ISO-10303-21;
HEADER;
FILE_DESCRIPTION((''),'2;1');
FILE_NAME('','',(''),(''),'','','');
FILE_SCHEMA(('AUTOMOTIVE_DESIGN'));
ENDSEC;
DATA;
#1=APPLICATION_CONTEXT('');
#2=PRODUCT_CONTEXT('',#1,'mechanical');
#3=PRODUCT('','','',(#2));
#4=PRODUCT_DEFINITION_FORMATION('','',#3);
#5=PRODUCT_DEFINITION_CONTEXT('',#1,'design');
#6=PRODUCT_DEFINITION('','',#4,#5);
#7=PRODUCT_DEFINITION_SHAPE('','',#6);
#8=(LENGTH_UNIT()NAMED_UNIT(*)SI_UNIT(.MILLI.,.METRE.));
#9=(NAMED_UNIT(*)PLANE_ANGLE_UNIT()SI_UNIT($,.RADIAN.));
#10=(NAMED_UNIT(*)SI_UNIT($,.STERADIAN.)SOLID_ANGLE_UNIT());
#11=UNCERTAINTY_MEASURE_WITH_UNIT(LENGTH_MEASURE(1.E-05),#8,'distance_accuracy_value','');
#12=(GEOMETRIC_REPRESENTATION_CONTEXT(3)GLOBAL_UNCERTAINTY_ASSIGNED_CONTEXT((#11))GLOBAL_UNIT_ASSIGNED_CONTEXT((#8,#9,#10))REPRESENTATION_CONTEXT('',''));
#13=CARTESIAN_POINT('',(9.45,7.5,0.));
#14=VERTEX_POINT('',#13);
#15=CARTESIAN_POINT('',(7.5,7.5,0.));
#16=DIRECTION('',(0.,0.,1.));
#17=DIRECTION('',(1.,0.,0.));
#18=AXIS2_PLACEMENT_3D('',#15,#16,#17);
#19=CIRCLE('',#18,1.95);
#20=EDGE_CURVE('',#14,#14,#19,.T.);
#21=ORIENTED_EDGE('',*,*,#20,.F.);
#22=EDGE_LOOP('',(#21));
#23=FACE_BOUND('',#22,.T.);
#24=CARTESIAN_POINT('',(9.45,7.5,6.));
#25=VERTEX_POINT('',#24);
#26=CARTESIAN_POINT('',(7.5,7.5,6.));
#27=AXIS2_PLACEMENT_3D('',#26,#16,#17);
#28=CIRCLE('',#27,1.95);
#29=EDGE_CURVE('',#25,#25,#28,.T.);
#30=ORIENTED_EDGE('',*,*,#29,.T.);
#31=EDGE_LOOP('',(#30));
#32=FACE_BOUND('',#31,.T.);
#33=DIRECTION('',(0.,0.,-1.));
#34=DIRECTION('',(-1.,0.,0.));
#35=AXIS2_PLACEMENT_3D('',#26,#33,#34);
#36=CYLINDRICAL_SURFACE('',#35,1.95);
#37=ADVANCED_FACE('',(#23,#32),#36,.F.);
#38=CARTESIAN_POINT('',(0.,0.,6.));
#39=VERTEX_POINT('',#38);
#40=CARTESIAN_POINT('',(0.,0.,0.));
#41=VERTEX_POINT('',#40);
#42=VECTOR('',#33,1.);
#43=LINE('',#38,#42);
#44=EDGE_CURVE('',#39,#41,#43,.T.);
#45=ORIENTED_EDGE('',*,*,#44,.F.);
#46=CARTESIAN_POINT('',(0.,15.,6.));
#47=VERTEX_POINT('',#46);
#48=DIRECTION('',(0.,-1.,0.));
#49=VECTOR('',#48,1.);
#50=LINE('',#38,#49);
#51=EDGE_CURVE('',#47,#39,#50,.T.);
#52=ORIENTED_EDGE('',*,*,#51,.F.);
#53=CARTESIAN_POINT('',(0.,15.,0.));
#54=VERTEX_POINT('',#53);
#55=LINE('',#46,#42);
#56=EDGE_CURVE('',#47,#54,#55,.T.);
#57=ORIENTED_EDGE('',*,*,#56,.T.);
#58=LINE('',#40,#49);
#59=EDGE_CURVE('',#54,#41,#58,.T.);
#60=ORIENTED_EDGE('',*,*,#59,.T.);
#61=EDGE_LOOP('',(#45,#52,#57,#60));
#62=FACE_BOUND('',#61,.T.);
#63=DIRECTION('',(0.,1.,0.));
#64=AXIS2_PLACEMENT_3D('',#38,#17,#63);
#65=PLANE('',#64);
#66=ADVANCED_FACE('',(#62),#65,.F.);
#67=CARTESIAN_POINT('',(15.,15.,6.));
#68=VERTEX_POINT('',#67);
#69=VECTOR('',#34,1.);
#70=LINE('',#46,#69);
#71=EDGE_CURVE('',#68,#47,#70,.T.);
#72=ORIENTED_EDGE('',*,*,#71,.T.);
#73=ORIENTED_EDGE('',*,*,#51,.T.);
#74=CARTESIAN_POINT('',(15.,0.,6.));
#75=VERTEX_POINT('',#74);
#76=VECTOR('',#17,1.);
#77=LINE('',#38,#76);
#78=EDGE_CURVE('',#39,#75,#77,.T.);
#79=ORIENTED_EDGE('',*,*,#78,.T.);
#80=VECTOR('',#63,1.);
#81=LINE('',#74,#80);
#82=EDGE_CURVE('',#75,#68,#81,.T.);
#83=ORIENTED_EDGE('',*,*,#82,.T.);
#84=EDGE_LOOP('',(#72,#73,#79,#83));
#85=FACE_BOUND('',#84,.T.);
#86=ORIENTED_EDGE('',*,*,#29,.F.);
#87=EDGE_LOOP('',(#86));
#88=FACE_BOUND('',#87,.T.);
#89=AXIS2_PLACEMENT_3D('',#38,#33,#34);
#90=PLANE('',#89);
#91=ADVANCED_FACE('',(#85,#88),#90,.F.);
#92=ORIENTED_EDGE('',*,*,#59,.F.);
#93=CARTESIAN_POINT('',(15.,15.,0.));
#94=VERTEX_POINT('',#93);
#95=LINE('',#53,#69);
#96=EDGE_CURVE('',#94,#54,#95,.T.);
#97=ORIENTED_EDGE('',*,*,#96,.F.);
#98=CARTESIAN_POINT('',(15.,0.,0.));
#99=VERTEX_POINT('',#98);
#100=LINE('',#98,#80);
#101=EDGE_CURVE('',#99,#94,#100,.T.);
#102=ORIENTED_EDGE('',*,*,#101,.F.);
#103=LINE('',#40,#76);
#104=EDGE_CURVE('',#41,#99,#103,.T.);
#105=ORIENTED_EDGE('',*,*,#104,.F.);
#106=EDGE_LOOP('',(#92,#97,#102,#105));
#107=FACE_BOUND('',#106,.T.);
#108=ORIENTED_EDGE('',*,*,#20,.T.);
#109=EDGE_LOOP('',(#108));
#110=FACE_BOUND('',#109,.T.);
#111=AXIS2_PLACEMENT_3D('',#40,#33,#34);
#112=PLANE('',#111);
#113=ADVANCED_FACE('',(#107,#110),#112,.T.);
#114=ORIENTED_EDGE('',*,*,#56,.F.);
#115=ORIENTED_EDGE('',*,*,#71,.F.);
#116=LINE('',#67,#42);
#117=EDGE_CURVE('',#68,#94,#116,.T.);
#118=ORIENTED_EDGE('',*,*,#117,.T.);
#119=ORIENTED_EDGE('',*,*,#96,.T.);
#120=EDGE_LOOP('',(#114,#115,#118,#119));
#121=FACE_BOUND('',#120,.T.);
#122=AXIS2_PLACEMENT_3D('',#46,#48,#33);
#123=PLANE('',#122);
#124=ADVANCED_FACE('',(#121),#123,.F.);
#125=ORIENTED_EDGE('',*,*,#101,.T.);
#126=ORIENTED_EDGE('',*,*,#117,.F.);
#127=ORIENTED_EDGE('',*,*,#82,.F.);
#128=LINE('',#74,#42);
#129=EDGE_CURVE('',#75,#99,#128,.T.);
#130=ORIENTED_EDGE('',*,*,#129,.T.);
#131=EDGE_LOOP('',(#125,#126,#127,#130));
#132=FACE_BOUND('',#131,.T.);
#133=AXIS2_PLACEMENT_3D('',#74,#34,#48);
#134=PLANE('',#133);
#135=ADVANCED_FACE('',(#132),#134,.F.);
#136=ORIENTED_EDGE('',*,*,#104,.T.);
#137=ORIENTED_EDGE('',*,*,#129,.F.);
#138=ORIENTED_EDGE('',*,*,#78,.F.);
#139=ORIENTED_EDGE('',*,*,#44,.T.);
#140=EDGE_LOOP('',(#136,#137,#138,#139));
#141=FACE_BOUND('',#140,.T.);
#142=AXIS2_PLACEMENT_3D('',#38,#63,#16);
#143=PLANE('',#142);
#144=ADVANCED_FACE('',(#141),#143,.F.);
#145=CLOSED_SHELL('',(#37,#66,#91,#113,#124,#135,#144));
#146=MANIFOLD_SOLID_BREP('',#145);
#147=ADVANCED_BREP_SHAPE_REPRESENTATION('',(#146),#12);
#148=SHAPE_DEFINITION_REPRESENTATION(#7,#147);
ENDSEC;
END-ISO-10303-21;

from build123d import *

# Parameters (mm, degrees)
SKETCH1_W           = 15
SKETCH1_H           = 15
SKETCH1_R           = 1.95
BOSS_EXTRUDE1_DEPTH = 6


with BuildPart() as part:
    # Sketch1 → Boss-Extrude1 (new body)
    with BuildSketch(Plane.XY):
        with Locations((7.5, 7.5)):
            Rectangle(SKETCH1_W, SKETCH1_H)
        with Locations((7.5, 7.5)):
            Circle(SKETCH1_R, mode=Mode.SUBTRACT)
    extrude(amount=BOSS_EXTRUDE1_DEPTH)


solid = part.part
